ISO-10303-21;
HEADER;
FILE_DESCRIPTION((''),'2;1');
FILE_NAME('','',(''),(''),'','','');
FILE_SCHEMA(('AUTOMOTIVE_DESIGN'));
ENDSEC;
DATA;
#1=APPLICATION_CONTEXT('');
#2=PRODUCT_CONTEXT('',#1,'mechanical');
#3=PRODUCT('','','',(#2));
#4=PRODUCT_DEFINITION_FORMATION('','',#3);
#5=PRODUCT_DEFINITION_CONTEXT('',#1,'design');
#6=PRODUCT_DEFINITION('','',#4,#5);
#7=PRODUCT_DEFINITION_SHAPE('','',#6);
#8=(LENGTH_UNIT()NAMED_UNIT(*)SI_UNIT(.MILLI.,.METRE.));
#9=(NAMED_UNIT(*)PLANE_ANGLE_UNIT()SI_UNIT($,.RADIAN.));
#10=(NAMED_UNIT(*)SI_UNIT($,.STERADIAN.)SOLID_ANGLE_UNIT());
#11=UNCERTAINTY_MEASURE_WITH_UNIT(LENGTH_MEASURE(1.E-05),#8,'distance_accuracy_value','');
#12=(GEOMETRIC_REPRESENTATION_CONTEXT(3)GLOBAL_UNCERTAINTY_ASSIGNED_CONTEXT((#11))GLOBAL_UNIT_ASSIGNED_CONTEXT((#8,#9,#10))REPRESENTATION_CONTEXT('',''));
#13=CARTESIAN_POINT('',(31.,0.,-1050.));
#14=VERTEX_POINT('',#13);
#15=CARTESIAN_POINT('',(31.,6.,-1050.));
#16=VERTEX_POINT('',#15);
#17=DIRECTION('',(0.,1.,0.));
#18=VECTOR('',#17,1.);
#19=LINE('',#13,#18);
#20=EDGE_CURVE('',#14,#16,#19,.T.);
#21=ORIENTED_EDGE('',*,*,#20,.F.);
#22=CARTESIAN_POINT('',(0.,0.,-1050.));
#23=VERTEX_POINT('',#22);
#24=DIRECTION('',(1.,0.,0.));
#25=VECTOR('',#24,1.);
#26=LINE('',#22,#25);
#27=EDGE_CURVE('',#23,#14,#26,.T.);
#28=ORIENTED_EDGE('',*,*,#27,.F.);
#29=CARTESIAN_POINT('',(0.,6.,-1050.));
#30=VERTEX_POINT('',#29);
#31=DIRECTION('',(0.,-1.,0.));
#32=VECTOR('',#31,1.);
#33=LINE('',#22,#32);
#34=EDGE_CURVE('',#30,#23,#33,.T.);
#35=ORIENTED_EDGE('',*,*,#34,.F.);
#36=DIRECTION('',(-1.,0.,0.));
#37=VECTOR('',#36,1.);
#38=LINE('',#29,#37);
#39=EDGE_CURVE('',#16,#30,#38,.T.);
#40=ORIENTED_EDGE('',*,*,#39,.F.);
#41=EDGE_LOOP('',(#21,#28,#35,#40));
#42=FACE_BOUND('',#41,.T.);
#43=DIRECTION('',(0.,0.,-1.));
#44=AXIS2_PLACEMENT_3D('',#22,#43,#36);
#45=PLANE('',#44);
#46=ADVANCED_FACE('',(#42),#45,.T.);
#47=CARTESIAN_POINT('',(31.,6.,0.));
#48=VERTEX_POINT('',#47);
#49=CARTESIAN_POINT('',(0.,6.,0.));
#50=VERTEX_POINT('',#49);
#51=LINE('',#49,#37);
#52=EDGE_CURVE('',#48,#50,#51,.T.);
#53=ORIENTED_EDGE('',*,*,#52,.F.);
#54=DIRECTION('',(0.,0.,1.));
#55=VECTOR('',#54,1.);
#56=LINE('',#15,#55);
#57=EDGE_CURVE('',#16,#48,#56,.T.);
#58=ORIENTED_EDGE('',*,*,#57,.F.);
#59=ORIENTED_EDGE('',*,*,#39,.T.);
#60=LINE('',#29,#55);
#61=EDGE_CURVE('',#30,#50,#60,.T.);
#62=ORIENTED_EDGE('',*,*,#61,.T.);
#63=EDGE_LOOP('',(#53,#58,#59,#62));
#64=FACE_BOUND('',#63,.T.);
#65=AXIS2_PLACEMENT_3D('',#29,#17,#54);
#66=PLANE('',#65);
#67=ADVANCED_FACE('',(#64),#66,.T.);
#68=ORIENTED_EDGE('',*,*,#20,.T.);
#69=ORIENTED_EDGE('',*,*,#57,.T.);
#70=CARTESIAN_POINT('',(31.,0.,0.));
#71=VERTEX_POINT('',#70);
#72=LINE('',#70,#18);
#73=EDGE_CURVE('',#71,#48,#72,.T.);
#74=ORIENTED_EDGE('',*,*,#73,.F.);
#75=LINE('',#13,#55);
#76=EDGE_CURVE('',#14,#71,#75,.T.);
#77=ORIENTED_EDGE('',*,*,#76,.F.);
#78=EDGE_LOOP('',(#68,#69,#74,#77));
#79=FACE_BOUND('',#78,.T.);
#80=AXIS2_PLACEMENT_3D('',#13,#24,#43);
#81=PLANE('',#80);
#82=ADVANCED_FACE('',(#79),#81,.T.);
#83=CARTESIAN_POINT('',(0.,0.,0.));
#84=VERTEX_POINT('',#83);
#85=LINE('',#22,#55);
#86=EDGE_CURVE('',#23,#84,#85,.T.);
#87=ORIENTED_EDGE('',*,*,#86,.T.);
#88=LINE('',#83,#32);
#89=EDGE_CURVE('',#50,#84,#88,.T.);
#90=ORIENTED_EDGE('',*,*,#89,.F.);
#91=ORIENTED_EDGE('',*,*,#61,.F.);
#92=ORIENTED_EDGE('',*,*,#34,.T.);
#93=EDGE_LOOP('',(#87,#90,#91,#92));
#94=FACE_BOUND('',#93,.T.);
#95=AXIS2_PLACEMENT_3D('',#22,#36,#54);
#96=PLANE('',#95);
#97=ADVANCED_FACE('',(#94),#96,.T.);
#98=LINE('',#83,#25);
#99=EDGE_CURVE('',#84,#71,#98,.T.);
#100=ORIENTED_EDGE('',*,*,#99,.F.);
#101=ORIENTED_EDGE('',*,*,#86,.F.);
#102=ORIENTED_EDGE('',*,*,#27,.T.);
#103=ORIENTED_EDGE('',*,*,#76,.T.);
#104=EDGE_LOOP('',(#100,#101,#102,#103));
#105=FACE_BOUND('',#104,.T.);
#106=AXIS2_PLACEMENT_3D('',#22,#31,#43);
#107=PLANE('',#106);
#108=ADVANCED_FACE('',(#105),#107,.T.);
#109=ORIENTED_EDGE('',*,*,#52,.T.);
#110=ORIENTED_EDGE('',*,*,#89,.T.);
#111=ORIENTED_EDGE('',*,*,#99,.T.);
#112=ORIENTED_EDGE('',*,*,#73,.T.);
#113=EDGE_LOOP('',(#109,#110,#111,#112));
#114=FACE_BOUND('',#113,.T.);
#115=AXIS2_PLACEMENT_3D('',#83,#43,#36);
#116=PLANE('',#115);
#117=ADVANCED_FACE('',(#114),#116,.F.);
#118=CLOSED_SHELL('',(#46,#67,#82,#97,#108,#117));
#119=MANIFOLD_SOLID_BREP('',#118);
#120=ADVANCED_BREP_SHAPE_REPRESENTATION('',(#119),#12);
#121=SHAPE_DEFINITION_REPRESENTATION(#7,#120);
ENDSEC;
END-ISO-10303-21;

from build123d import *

# Parameters (mm, degrees)
CROQUIS1_W              = 31
CROQUIS1_H              = 6
SALIENTE_EXTRUIR1_DEPTH = 1050


with BuildPart() as part:
    # Croquis1 → Saliente-Extruir1 (new body)
    with BuildSketch(Plane.XY):
        with Locations((15.5, 3)):
            Rectangle(CROQUIS1_W, CROQUIS1_H)
    extrude(amount=-SALIENTE_EXTRUIR1_DEPTH)


solid = part.part
